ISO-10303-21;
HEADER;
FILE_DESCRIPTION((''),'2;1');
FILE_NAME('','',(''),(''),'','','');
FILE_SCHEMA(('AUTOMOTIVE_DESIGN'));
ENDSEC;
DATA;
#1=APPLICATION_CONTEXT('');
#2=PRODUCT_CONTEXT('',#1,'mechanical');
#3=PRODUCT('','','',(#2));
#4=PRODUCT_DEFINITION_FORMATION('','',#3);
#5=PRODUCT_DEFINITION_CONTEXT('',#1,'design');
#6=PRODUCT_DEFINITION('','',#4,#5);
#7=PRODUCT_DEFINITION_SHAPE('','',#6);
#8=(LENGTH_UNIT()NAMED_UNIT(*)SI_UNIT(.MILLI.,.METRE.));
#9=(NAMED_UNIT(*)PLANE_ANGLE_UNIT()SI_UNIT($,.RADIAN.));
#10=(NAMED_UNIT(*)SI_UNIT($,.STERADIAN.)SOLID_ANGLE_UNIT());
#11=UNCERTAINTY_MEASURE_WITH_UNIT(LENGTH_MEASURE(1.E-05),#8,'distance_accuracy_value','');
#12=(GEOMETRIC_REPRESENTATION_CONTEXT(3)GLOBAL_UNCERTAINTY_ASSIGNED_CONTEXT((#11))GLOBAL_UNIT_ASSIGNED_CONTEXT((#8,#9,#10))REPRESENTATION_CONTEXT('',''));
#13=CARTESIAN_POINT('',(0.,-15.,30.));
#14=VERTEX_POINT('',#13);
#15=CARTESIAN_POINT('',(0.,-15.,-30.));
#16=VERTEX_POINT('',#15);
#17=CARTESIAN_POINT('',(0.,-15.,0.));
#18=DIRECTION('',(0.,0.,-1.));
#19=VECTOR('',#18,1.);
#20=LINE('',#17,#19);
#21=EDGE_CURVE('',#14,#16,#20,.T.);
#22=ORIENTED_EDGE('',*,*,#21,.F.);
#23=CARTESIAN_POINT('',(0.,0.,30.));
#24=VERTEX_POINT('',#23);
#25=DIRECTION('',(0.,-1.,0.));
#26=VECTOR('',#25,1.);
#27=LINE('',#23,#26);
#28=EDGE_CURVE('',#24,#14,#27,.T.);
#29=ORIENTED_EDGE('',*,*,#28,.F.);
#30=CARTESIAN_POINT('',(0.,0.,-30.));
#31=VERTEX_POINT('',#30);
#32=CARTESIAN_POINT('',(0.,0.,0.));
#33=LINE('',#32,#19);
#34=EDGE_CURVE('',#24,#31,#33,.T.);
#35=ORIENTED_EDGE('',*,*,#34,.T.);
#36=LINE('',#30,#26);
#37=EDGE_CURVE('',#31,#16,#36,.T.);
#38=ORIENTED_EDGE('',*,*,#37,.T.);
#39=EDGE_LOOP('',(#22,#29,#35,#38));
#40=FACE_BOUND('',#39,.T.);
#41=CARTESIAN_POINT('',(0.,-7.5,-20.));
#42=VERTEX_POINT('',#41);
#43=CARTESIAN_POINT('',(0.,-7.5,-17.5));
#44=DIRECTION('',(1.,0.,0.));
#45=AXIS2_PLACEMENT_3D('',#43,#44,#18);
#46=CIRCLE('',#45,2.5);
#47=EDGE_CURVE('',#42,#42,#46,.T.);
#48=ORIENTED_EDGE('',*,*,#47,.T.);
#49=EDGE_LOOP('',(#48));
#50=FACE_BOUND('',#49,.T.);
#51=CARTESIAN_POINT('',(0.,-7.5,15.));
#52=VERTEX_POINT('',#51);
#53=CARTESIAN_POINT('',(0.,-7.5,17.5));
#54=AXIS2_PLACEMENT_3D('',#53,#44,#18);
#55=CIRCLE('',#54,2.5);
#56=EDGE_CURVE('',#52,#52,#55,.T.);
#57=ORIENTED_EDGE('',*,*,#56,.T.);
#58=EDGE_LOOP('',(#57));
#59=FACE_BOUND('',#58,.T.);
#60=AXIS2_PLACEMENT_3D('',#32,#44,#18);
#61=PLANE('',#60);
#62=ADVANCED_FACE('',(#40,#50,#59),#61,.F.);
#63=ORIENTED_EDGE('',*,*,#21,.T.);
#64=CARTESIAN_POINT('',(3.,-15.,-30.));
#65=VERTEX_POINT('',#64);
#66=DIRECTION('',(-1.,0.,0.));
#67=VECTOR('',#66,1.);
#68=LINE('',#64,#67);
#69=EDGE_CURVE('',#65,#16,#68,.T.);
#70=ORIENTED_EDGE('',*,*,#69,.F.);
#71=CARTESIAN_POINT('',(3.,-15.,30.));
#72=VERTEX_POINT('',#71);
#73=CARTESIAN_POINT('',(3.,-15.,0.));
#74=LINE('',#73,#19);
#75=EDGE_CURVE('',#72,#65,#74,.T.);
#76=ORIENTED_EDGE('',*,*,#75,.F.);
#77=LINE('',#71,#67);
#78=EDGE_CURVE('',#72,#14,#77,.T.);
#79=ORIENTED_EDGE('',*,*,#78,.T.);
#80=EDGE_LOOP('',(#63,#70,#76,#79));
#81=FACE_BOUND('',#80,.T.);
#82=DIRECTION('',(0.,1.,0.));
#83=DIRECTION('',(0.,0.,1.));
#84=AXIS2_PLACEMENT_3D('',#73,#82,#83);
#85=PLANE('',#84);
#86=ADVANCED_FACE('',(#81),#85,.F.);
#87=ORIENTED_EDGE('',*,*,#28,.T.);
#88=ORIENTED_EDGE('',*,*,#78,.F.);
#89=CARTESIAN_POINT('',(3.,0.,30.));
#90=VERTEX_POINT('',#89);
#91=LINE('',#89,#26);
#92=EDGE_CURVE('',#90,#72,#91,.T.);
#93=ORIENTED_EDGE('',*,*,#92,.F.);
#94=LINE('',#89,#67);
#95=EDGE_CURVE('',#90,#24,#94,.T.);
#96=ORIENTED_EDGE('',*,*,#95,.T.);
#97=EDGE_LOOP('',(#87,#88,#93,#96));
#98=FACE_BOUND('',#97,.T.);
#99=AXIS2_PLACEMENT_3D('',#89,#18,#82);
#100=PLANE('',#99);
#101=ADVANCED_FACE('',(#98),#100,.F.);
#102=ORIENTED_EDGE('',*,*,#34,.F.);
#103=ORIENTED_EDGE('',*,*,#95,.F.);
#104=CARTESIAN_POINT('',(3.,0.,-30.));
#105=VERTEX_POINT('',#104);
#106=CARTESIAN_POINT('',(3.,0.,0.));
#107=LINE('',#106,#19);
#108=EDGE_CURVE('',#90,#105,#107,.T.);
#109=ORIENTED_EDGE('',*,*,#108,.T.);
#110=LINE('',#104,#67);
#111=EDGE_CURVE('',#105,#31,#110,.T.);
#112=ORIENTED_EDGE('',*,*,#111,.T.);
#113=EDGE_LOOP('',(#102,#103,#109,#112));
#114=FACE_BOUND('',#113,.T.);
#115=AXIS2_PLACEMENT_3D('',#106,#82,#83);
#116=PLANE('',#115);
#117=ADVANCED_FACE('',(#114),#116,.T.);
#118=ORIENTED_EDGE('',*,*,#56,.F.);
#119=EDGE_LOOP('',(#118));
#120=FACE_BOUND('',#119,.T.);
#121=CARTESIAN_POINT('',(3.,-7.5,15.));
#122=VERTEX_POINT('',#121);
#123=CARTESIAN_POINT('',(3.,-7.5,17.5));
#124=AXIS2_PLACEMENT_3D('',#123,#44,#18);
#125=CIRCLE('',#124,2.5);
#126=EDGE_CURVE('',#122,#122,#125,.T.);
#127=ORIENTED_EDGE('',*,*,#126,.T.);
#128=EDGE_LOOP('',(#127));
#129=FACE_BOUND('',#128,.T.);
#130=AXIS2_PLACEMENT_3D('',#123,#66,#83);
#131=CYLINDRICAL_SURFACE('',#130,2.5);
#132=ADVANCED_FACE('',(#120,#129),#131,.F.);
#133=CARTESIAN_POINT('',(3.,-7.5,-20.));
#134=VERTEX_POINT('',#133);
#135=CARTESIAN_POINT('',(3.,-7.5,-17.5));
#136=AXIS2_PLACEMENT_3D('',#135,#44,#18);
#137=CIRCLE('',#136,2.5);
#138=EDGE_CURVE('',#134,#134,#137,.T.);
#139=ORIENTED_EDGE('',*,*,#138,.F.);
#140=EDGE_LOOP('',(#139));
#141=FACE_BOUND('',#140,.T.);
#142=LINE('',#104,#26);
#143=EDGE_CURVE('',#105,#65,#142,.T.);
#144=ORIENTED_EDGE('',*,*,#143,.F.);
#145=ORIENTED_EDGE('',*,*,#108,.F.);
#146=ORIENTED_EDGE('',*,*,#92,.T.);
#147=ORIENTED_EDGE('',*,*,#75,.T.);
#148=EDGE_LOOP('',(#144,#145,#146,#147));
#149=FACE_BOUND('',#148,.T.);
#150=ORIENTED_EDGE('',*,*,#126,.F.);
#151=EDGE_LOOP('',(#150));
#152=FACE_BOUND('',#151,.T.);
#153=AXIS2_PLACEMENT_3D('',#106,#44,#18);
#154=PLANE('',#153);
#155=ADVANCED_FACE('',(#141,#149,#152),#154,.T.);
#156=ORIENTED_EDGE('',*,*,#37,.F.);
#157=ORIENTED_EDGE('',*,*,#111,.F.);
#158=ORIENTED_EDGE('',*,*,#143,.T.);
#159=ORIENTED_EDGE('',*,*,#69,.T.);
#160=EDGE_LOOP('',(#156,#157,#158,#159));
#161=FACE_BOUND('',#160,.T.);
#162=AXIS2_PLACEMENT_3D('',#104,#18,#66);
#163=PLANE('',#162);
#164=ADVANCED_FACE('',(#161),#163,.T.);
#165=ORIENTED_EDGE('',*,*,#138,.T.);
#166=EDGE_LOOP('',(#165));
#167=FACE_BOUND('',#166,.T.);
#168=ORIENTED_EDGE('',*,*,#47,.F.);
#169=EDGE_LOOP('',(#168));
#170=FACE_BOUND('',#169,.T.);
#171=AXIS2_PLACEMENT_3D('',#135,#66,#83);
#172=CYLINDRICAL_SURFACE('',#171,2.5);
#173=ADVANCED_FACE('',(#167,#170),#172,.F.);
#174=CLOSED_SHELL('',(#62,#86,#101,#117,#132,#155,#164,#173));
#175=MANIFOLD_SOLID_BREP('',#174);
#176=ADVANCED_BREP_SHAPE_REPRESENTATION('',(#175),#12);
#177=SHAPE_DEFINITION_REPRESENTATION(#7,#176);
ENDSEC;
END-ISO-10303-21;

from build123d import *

# Parameters (mm, degrees)
SKETCH1_W           = 60
SKETCH1_H           = 15
SKETCH1_R           = 2.5
BOSS_EXTRUDE1_DEPTH = 3


with BuildPart() as part:
    # Sketch1 → Boss-Extrude1 (new body)
    with BuildSketch(Plane(origin=(0, 0, 0), x_dir=(0, 0, -1), z_dir=(1, 0, 0))):
        with Locations((0, -7.5)):
            Rectangle(SKETCH1_W, SKETCH1_H)
        with Locations((-17.5, -7.5)):
            Circle(SKETCH1_R, mode=Mode.SUBTRACT)
        with Locations((17.5, -7.5)):
            Circle(SKETCH1_R, mode=Mode.SUBTRACT)
    extrude(amount=BOSS_EXTRUDE1_DEPTH)


solid = part.part
